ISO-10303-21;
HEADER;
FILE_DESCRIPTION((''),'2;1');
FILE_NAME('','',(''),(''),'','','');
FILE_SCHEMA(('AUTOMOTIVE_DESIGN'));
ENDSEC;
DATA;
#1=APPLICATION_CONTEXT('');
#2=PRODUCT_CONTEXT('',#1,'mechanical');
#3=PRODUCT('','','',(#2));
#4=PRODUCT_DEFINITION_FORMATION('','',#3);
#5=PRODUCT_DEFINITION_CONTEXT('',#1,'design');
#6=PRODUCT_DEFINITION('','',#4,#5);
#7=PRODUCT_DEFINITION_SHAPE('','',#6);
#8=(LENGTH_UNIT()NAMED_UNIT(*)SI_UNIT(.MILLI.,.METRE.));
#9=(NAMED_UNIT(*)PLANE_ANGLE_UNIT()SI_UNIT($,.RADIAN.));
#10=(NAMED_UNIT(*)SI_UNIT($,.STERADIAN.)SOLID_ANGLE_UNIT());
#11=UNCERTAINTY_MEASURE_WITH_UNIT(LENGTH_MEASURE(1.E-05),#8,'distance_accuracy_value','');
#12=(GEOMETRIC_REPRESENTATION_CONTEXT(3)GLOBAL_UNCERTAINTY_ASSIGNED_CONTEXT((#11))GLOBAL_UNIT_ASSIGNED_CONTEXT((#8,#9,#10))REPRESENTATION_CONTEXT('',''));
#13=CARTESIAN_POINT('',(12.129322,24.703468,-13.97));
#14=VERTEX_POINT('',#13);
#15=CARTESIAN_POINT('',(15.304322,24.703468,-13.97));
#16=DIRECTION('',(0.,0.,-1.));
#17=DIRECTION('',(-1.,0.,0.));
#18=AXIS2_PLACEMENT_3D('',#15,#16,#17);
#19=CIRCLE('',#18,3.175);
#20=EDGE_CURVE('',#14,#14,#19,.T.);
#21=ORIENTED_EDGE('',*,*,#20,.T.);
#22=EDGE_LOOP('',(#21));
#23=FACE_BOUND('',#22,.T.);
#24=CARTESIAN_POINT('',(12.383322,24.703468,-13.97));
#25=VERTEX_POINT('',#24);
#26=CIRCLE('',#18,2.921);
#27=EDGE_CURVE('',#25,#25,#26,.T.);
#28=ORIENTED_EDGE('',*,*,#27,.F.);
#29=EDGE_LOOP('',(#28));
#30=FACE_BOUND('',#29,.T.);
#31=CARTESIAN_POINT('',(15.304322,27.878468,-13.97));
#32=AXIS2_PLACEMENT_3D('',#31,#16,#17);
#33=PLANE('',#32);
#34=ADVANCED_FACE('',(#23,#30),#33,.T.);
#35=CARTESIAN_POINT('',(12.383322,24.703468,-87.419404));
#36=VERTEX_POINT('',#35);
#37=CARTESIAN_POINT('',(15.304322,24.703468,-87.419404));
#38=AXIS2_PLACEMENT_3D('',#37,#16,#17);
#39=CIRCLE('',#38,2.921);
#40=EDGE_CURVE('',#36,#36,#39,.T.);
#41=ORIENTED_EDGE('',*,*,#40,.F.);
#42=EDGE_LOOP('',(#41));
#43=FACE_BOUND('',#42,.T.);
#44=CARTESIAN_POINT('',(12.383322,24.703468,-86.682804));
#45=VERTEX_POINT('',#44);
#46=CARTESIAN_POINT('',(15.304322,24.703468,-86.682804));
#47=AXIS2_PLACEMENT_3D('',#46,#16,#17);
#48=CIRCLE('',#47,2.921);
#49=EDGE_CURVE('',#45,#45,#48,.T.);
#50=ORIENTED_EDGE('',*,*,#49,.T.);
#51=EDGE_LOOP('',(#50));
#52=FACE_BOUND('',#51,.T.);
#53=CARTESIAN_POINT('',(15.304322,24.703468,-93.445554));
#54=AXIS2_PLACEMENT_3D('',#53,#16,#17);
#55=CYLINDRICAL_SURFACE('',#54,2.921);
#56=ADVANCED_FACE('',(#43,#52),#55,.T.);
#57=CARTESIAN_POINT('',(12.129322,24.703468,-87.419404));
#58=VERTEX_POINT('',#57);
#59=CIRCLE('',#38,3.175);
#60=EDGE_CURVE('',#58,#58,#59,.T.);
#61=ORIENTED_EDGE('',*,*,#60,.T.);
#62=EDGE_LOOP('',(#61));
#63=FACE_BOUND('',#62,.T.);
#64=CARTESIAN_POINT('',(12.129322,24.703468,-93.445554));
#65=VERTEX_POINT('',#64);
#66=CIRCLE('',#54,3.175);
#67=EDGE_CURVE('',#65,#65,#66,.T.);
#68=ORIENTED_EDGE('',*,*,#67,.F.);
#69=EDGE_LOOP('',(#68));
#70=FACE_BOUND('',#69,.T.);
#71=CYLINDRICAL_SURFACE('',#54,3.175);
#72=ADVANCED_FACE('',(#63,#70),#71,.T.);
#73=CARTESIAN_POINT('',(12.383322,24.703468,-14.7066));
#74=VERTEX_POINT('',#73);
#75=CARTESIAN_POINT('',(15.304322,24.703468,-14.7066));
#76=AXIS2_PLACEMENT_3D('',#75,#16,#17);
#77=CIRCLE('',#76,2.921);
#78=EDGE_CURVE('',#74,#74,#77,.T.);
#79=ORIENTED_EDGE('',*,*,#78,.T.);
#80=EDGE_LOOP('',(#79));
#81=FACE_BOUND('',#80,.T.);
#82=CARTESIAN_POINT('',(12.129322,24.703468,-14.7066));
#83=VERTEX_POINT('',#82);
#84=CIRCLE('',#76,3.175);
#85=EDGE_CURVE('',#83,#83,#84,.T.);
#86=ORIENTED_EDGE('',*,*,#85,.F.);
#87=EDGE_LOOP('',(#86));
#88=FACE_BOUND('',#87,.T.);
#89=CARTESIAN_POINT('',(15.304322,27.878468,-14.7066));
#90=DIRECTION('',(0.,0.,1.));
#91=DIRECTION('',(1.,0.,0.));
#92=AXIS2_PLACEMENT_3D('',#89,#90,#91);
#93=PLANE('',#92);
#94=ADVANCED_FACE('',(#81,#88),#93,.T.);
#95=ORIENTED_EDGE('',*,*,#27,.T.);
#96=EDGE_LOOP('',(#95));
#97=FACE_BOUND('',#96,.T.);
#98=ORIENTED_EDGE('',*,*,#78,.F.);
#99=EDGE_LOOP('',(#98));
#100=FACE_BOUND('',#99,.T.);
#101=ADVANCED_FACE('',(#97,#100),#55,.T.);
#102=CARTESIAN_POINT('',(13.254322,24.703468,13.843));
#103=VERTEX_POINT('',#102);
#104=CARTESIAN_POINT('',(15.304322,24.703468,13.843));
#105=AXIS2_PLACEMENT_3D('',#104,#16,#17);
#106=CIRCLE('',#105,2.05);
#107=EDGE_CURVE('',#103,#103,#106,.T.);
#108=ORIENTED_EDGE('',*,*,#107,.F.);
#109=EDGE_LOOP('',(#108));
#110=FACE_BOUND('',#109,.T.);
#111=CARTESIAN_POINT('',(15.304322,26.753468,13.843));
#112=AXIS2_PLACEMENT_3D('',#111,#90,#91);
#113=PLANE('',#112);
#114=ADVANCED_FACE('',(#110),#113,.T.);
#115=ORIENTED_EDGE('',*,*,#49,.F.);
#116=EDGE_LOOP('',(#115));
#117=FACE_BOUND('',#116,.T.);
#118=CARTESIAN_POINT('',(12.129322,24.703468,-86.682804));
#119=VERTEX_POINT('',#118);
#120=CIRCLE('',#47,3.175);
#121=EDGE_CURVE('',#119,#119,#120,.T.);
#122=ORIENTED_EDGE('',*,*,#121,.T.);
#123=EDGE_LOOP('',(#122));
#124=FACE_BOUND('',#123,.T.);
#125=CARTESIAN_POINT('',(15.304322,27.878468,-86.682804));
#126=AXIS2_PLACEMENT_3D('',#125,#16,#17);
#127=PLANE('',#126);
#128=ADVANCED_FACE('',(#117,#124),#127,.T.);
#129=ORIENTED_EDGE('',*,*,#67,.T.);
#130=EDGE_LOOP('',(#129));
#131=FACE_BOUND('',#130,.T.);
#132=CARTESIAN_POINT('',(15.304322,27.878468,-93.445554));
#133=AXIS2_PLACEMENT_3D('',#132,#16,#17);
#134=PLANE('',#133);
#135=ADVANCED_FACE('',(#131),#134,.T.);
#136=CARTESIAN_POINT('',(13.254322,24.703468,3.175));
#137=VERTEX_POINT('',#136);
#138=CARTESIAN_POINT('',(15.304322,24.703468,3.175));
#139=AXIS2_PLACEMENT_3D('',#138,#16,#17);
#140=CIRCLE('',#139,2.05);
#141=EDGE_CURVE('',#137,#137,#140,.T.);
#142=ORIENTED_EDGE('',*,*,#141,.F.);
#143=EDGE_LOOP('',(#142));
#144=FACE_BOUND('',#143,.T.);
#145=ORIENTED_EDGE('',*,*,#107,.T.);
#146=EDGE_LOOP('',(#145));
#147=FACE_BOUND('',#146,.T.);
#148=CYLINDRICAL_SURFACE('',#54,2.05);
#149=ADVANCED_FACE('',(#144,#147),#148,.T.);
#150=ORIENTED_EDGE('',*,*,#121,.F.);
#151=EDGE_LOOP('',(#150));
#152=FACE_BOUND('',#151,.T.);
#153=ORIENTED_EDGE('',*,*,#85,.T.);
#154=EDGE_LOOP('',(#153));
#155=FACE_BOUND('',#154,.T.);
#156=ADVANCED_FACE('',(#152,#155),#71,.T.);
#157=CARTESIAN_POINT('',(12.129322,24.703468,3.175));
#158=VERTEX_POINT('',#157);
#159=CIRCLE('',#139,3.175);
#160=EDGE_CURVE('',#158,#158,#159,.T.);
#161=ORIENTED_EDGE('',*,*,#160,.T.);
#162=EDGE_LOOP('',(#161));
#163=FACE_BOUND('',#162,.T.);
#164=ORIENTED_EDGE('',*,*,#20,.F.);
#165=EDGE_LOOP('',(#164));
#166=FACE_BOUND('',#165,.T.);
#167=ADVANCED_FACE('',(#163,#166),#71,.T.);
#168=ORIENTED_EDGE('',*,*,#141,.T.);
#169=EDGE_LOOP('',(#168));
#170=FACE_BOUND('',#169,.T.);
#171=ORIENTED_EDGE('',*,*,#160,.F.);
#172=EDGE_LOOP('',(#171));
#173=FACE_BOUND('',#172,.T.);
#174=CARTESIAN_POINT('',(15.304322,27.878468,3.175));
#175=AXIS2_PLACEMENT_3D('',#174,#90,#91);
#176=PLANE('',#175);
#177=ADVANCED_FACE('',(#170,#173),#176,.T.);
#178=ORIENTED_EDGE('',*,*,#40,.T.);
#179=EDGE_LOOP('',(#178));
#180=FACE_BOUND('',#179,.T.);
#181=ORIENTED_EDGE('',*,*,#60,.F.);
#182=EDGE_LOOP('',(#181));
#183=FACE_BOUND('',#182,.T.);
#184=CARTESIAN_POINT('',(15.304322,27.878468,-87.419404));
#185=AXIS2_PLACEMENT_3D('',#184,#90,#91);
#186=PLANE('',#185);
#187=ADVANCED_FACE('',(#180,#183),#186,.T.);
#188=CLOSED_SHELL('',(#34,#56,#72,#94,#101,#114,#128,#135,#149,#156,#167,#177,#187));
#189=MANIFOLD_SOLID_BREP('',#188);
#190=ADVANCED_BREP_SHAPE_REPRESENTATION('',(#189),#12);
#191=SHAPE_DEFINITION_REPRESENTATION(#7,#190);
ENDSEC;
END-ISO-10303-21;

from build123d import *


with BuildPart() as part:
    # Sketch1 → Revolve1 (revolve)
    with BuildSketch(Plane(origin=(15.304322218, 0, 0), x_dir=(0, 0, -1), z_dir=(1, 0, 0)), mode=Mode.PRIVATE) as revolve1_sk:
        Polygon((13.97, 27.878467802), (-3.175, 27.878467802), (-3.175, 26.753467802), (-13.843, 26.753467802), (-13.843, 24.703467802), (93.445553682, 24.703467802), (93.445553682, 27.878467802), (87.419403682, 27.878467802), (87.419403682, 27.624467802), (86.682803682, 27.624467802), (86.682803682, 27.878467802), (65.655613748, 27.878467802), (14.7066, 27.878467802), (14.7066, 27.624467802), (13.97, 27.624467802), align=None)
    revolve(revolve1_sk.sketch.rotate(Axis((15.304322218, 24.703467802, -93.445553682), (0, 0, 1)), 90), axis=Axis((15.304322218, 24.703467802, -93.445553682), (0, 0, 1)))


solid = part.part
